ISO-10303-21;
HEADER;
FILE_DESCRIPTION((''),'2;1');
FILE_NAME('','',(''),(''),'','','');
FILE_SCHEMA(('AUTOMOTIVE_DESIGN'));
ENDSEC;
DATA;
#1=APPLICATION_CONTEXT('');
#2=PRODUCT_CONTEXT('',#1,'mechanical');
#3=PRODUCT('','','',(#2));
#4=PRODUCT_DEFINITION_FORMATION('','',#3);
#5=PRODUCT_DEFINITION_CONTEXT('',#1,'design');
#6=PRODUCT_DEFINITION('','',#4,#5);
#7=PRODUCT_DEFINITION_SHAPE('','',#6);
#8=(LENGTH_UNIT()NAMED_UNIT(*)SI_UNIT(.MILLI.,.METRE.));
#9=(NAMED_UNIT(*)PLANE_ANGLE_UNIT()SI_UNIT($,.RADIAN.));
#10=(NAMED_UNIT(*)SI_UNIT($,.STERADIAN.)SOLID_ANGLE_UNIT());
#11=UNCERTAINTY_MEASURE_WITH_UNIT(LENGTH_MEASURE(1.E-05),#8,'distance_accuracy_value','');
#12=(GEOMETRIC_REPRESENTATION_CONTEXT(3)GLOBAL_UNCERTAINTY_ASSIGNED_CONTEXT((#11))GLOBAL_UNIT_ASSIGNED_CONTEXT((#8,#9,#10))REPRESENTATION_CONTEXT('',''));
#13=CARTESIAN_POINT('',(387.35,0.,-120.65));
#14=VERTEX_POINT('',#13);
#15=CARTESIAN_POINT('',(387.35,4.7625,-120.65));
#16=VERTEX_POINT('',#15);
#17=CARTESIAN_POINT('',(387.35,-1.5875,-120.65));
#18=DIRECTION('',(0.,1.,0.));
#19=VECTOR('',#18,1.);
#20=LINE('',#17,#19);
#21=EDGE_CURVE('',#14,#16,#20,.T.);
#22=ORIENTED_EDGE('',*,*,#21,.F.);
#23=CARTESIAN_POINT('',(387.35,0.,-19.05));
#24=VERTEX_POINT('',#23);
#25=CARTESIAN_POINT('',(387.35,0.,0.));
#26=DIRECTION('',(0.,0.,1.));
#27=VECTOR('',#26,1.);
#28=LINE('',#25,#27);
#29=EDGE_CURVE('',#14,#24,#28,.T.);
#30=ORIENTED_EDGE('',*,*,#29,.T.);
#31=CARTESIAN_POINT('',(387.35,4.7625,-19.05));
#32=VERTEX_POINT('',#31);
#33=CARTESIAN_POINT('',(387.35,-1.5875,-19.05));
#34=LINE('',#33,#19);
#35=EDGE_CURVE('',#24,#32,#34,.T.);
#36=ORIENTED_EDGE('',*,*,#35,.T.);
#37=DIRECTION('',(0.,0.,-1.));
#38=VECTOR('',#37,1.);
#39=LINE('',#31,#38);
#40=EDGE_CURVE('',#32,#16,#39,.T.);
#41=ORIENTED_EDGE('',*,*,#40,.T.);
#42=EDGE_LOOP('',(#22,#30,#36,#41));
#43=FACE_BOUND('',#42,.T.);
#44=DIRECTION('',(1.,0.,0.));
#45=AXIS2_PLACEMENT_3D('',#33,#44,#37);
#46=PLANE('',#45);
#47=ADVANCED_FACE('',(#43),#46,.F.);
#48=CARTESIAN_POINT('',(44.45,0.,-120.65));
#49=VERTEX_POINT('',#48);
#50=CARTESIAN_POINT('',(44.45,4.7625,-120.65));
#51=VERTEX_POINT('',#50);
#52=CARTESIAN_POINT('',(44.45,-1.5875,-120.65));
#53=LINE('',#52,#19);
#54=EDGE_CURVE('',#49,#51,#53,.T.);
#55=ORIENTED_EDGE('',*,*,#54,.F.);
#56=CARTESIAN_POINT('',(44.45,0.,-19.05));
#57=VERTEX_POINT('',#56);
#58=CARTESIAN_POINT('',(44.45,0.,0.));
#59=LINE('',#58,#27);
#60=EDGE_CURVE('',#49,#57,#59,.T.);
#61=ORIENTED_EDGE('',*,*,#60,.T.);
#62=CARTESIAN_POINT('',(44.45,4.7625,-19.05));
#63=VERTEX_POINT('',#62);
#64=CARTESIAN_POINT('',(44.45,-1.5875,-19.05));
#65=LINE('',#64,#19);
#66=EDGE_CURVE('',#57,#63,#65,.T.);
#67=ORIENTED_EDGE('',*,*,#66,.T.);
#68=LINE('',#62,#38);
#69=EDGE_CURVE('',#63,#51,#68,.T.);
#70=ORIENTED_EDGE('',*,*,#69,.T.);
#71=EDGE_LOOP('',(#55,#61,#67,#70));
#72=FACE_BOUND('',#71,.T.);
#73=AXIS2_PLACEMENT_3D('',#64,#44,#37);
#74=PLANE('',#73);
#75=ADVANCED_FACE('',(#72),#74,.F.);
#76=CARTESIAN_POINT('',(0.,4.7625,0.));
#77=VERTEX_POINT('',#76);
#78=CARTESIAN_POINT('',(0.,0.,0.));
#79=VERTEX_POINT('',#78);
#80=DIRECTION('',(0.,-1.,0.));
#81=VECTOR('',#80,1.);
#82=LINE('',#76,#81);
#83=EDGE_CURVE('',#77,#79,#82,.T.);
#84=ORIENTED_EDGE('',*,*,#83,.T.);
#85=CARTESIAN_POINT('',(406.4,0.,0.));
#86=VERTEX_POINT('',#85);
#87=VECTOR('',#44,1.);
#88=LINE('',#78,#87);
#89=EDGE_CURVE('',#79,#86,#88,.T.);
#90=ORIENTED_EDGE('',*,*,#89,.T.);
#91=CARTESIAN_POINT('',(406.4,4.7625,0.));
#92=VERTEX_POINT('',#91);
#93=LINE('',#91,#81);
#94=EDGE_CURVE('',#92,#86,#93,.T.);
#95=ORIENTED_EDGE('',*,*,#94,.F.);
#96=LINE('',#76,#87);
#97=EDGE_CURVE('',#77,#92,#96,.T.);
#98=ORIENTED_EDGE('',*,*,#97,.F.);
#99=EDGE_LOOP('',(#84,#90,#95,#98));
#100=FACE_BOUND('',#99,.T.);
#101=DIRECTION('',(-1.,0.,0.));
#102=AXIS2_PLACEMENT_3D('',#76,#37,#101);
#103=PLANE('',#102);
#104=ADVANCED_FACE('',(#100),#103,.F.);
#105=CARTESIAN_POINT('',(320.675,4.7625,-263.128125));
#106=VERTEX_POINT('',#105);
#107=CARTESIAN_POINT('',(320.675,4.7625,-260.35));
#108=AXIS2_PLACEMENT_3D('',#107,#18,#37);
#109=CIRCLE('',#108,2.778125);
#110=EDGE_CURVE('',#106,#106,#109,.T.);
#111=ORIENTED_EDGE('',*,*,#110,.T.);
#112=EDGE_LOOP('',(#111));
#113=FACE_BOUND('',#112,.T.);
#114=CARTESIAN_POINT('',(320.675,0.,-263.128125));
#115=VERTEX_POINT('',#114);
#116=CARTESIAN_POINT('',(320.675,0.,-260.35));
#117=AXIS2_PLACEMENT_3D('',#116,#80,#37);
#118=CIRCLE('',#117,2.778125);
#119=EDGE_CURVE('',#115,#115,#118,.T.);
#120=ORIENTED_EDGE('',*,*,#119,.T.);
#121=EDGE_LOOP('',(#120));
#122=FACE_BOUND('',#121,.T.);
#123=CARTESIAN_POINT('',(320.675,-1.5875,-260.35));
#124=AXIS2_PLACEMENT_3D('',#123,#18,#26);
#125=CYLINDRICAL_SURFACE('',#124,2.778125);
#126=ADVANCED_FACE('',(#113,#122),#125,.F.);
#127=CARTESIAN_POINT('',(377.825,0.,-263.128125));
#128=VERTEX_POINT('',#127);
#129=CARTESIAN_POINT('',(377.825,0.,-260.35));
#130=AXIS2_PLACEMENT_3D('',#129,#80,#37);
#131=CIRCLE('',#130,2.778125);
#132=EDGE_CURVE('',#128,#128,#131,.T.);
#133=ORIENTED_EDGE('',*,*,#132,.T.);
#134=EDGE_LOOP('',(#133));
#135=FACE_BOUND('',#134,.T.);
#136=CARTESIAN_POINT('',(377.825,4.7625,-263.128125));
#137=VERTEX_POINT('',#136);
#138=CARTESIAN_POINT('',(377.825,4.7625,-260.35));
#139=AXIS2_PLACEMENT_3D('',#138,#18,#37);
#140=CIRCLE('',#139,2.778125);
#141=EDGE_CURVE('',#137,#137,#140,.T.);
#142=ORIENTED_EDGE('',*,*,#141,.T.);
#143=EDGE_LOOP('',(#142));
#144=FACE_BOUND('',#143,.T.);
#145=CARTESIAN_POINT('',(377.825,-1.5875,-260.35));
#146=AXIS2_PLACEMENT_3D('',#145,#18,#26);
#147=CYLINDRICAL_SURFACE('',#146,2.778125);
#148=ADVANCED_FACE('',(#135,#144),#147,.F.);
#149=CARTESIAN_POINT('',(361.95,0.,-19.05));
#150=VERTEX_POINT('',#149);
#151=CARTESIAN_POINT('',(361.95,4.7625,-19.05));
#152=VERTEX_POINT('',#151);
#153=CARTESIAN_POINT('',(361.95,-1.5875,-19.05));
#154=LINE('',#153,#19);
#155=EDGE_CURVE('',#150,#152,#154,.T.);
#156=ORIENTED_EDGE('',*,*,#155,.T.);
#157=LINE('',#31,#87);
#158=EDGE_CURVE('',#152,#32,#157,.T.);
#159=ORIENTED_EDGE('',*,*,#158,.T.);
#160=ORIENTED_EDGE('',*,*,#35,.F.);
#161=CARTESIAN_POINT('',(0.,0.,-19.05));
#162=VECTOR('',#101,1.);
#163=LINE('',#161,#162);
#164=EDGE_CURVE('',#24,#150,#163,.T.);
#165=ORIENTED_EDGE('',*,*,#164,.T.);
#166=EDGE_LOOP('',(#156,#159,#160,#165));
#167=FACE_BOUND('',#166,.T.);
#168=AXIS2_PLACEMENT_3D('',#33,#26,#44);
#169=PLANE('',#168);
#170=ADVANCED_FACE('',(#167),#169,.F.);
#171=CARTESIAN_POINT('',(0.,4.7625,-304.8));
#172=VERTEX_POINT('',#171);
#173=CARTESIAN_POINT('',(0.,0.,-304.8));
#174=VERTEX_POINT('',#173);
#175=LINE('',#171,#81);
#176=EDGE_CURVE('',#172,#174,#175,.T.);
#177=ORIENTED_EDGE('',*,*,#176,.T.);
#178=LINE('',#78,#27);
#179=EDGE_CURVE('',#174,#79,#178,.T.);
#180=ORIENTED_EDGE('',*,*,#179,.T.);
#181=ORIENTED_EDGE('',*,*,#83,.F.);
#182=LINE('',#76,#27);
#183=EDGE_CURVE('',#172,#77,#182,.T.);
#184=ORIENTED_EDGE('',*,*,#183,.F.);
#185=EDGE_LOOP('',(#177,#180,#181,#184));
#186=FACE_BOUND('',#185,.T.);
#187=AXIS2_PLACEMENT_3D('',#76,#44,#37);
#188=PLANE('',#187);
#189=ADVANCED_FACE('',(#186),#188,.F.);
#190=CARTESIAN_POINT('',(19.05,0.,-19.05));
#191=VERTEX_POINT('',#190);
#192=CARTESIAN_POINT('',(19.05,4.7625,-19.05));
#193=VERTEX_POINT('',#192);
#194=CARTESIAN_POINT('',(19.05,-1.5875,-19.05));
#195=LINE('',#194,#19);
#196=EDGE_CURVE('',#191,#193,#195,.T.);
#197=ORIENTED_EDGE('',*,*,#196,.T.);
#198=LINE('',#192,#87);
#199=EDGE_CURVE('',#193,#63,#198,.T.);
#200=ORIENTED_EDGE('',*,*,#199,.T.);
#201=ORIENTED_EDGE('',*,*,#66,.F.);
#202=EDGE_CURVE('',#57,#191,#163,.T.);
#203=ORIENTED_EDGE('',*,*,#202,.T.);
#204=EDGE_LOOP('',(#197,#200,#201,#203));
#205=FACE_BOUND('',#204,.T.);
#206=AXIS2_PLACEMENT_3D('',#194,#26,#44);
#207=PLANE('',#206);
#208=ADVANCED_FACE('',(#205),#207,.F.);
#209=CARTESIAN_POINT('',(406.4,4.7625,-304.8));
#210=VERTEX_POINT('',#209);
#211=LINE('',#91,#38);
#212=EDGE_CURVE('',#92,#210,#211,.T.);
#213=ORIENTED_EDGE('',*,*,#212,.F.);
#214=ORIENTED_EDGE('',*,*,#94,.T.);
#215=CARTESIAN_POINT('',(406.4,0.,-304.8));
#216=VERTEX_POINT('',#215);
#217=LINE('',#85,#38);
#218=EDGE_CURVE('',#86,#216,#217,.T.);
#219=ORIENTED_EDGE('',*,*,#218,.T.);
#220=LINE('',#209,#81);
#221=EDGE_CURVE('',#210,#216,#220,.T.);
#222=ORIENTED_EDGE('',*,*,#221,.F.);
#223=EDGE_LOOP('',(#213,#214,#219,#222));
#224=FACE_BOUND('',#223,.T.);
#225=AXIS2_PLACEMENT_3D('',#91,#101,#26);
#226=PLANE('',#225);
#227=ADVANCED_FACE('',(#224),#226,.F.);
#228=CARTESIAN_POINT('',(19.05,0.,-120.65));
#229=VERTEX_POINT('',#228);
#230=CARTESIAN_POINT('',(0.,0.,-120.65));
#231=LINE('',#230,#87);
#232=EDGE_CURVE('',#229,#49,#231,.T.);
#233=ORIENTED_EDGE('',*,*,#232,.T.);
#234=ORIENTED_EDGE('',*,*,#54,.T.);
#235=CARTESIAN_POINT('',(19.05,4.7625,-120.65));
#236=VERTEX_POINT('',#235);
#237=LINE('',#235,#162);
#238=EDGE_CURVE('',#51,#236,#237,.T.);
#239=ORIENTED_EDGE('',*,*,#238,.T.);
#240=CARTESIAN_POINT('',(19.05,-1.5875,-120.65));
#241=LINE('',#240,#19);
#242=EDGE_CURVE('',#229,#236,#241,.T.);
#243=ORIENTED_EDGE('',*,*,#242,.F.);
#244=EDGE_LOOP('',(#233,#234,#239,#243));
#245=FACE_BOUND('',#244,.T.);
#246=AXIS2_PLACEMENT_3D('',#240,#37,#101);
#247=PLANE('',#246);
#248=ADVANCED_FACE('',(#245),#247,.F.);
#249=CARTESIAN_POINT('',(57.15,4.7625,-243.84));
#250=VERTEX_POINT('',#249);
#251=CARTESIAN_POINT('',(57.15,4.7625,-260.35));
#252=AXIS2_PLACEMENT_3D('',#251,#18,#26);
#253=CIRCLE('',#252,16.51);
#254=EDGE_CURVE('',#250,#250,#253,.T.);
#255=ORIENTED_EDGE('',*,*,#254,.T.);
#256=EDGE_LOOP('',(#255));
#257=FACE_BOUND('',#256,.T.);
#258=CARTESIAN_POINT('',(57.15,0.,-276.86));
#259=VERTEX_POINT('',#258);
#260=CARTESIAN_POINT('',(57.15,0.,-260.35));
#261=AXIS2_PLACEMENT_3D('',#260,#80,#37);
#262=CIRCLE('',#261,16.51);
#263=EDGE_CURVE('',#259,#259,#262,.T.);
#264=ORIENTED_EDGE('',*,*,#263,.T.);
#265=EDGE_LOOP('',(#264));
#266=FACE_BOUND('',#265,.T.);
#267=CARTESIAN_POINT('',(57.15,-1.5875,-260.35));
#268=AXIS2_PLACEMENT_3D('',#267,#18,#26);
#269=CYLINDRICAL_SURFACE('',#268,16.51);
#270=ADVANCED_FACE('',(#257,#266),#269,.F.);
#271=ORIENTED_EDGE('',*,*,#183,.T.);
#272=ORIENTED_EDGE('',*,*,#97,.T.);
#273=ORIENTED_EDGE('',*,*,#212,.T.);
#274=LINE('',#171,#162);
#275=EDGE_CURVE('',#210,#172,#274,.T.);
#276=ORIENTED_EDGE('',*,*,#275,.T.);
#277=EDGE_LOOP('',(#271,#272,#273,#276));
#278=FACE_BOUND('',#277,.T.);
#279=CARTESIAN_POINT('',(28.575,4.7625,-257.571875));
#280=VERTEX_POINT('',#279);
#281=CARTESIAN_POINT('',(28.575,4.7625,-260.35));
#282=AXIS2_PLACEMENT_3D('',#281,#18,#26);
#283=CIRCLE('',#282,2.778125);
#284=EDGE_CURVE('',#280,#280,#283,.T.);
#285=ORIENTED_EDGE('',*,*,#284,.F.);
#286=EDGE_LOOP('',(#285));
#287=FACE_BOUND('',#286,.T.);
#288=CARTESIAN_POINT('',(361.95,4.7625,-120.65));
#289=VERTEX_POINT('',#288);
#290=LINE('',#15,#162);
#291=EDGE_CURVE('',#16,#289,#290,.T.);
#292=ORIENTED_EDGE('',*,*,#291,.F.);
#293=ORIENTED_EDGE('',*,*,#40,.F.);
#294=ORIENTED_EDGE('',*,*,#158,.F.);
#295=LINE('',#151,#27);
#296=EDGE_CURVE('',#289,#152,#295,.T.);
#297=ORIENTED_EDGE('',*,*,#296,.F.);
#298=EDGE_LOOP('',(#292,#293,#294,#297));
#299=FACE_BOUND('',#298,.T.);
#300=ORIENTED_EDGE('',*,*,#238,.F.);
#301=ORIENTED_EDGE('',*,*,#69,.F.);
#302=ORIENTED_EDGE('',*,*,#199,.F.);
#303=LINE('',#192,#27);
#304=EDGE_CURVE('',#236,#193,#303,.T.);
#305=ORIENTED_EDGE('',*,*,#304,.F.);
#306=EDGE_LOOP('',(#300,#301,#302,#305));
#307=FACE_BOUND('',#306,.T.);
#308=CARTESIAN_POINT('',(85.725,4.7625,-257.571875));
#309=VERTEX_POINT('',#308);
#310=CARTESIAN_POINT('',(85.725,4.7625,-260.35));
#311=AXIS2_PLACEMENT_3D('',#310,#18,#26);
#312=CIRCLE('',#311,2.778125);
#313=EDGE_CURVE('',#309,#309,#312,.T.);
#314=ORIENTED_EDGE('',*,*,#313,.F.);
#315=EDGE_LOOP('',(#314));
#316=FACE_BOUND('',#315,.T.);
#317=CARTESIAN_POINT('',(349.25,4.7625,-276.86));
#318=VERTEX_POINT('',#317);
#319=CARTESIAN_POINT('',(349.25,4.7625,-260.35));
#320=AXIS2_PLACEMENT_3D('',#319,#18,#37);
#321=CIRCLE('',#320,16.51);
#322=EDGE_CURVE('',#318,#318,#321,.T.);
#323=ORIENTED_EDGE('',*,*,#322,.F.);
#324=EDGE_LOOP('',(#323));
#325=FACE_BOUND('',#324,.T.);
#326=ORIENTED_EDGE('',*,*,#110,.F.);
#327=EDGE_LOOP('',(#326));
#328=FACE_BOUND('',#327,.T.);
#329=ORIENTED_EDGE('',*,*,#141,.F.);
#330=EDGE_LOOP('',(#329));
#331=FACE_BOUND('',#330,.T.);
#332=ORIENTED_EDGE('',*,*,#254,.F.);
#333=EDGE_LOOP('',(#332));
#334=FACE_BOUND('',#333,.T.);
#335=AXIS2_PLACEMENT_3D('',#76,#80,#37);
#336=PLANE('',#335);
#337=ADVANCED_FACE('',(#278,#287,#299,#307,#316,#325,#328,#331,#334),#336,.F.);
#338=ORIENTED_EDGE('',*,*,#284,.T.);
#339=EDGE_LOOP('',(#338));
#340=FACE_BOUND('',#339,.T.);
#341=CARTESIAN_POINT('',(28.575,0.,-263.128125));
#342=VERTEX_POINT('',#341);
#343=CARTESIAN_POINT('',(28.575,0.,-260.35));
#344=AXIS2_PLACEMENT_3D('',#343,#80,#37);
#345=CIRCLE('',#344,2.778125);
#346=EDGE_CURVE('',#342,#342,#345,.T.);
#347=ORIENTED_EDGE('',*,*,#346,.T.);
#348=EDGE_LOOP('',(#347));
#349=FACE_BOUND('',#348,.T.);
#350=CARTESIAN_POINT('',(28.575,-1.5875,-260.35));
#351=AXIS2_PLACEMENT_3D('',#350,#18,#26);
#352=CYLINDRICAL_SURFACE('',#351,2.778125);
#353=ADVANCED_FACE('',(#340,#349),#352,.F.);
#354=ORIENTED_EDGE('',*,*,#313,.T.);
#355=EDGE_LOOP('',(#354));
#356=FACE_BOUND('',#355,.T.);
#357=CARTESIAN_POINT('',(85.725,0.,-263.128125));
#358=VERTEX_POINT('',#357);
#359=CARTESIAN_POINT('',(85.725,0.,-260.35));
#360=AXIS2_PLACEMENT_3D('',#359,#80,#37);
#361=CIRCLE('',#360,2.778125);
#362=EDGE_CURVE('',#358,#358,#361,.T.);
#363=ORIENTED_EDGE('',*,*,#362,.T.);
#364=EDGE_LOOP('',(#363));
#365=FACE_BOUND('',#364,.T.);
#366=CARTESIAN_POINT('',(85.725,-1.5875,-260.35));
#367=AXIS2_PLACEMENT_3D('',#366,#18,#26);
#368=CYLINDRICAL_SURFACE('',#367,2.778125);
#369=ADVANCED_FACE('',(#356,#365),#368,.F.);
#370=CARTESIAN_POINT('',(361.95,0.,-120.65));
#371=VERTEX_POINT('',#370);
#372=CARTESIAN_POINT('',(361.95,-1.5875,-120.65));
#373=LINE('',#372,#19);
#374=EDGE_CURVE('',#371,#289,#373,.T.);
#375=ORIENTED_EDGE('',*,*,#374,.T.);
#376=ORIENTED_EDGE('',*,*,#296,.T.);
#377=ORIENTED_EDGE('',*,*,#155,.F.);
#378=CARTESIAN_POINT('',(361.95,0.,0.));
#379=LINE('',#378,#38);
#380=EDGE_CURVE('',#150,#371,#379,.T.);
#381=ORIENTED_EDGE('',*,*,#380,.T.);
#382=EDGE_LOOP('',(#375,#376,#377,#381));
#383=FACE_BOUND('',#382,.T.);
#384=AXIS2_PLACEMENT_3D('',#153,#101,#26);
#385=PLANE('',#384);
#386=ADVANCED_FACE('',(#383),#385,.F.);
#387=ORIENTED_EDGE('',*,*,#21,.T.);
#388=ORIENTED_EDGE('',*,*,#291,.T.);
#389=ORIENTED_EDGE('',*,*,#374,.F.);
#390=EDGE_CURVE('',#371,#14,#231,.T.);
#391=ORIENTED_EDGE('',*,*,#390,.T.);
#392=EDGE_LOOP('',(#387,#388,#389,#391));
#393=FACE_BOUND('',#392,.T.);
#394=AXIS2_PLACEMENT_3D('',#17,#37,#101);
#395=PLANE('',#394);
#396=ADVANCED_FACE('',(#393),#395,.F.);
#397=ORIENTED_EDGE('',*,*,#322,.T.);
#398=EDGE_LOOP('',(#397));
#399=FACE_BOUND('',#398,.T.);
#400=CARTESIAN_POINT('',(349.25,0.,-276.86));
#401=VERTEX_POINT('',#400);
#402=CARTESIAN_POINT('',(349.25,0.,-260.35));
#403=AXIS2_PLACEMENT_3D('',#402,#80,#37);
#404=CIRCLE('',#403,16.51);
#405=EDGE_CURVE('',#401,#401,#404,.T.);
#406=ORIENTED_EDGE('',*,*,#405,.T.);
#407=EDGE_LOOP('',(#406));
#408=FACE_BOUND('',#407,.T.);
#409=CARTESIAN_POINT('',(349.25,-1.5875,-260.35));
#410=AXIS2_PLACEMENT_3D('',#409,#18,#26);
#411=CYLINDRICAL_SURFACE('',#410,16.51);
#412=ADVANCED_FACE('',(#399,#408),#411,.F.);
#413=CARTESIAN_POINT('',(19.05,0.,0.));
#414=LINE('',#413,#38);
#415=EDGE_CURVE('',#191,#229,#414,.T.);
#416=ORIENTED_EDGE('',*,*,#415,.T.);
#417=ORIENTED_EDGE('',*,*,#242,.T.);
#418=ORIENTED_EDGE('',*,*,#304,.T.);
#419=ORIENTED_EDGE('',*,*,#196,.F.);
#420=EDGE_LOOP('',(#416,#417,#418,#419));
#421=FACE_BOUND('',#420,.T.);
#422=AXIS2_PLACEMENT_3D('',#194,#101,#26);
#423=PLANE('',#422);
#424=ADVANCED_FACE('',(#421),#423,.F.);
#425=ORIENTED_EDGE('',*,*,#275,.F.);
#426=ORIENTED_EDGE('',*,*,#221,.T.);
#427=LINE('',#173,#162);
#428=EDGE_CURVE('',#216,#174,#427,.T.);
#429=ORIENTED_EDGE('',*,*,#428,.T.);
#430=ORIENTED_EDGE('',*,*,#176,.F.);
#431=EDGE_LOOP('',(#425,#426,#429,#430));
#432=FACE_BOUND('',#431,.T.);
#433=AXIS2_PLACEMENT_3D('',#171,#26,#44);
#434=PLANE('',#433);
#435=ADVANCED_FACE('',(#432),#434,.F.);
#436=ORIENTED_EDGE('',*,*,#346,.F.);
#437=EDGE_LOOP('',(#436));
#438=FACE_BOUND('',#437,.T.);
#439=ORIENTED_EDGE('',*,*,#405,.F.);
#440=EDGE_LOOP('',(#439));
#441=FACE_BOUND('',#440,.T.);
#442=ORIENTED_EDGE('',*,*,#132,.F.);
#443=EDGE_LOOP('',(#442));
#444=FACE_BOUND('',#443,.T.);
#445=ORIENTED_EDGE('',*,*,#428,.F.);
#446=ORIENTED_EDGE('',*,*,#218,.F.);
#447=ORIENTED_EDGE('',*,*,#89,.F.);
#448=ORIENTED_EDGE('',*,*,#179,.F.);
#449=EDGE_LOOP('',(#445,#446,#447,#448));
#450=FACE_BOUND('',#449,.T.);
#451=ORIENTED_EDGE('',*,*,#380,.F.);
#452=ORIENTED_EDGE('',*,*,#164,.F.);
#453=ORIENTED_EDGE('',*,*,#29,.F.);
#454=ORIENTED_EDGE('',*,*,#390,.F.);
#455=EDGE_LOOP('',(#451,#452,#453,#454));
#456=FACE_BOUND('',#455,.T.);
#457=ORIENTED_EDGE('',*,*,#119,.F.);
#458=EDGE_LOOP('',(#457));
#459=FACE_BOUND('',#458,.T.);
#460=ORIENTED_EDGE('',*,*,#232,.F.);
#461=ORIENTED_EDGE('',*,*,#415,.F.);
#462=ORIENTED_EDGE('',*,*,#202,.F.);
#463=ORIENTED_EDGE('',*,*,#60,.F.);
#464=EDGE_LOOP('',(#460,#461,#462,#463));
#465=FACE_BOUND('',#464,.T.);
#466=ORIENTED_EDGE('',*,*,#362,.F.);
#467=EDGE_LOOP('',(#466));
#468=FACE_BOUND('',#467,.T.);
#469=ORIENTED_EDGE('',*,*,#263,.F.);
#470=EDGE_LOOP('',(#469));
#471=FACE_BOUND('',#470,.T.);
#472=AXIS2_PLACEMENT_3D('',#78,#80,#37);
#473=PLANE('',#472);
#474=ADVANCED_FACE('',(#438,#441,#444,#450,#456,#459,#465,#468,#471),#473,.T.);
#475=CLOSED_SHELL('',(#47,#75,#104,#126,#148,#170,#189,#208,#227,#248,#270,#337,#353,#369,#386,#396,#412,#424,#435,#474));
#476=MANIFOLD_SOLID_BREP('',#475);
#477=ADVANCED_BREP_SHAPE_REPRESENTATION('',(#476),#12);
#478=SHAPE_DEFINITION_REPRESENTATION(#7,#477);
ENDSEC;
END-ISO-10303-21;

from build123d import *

# Parameters (mm, degrees)
SKETCH1_W           = 406.4
SKETCH1_H           = 304.8
BOSS_EXTRUDE1_DEPTH = 4.7625
SKETCH2_R           = 16.51
SKETCH2_R_2         = 2.778125
SKETCH2_W           = 25.4
SKETCH2_H           = 101.6
CUT_EXTRUDE1_DEPTH  = 6.35


with BuildPart() as part:
    # Sketch1 → Boss-Extrude1 (new body)
    with BuildSketch(Plane(origin=(0, 0, 0), x_dir=(1, 0, 0), z_dir=(0, 1, 0))):
        with Locations((203.2, 152.4)):
            Rectangle(SKETCH1_W, SKETCH1_H)
    extrude(amount=BOSS_EXTRUDE1_DEPTH)

    # Sketch2 → Cut-Extrude1 (cut)
    with BuildSketch(Plane(origin=(0, 4.7625, 0), x_dir=(1, 0, 0), z_dir=(0, 1, 0))):
        with Locations(Location((57.15, 260.35, 0), (0, 0, 270))):
            Circle(SKETCH2_R)
        with Locations(Location((85.725, 260.35, 0), (0, 0, 270))):
            Circle(SKETCH2_R_2)
        with Locations(Location((28.575, 260.35, 0), (0, 0, 270))):
            Circle(SKETCH2_R_2)
        with Locations(Location((377.825, 260.35, 0), (0, 0, 90))):
            Circle(SKETCH2_R_2)
        with Locations(Location((320.675, 260.35, 0), (0, 0, 90))):
            Circle(SKETCH2_R_2)
        with Locations(Location((349.25, 260.35, 0), (0, 0, 90))):
            Circle(SKETCH2_R)
        with Locations((31.75, 69.85)):
            Rectangle(SKETCH2_W, SKETCH2_H)
        with Locations((374.65, 69.85)):
            Rectangle(SKETCH2_W, SKETCH2_H)
    extrude(amount=-CUT_EXTRUDE1_DEPTH, mode=Mode.SUBTRACT)


solid = part.part
